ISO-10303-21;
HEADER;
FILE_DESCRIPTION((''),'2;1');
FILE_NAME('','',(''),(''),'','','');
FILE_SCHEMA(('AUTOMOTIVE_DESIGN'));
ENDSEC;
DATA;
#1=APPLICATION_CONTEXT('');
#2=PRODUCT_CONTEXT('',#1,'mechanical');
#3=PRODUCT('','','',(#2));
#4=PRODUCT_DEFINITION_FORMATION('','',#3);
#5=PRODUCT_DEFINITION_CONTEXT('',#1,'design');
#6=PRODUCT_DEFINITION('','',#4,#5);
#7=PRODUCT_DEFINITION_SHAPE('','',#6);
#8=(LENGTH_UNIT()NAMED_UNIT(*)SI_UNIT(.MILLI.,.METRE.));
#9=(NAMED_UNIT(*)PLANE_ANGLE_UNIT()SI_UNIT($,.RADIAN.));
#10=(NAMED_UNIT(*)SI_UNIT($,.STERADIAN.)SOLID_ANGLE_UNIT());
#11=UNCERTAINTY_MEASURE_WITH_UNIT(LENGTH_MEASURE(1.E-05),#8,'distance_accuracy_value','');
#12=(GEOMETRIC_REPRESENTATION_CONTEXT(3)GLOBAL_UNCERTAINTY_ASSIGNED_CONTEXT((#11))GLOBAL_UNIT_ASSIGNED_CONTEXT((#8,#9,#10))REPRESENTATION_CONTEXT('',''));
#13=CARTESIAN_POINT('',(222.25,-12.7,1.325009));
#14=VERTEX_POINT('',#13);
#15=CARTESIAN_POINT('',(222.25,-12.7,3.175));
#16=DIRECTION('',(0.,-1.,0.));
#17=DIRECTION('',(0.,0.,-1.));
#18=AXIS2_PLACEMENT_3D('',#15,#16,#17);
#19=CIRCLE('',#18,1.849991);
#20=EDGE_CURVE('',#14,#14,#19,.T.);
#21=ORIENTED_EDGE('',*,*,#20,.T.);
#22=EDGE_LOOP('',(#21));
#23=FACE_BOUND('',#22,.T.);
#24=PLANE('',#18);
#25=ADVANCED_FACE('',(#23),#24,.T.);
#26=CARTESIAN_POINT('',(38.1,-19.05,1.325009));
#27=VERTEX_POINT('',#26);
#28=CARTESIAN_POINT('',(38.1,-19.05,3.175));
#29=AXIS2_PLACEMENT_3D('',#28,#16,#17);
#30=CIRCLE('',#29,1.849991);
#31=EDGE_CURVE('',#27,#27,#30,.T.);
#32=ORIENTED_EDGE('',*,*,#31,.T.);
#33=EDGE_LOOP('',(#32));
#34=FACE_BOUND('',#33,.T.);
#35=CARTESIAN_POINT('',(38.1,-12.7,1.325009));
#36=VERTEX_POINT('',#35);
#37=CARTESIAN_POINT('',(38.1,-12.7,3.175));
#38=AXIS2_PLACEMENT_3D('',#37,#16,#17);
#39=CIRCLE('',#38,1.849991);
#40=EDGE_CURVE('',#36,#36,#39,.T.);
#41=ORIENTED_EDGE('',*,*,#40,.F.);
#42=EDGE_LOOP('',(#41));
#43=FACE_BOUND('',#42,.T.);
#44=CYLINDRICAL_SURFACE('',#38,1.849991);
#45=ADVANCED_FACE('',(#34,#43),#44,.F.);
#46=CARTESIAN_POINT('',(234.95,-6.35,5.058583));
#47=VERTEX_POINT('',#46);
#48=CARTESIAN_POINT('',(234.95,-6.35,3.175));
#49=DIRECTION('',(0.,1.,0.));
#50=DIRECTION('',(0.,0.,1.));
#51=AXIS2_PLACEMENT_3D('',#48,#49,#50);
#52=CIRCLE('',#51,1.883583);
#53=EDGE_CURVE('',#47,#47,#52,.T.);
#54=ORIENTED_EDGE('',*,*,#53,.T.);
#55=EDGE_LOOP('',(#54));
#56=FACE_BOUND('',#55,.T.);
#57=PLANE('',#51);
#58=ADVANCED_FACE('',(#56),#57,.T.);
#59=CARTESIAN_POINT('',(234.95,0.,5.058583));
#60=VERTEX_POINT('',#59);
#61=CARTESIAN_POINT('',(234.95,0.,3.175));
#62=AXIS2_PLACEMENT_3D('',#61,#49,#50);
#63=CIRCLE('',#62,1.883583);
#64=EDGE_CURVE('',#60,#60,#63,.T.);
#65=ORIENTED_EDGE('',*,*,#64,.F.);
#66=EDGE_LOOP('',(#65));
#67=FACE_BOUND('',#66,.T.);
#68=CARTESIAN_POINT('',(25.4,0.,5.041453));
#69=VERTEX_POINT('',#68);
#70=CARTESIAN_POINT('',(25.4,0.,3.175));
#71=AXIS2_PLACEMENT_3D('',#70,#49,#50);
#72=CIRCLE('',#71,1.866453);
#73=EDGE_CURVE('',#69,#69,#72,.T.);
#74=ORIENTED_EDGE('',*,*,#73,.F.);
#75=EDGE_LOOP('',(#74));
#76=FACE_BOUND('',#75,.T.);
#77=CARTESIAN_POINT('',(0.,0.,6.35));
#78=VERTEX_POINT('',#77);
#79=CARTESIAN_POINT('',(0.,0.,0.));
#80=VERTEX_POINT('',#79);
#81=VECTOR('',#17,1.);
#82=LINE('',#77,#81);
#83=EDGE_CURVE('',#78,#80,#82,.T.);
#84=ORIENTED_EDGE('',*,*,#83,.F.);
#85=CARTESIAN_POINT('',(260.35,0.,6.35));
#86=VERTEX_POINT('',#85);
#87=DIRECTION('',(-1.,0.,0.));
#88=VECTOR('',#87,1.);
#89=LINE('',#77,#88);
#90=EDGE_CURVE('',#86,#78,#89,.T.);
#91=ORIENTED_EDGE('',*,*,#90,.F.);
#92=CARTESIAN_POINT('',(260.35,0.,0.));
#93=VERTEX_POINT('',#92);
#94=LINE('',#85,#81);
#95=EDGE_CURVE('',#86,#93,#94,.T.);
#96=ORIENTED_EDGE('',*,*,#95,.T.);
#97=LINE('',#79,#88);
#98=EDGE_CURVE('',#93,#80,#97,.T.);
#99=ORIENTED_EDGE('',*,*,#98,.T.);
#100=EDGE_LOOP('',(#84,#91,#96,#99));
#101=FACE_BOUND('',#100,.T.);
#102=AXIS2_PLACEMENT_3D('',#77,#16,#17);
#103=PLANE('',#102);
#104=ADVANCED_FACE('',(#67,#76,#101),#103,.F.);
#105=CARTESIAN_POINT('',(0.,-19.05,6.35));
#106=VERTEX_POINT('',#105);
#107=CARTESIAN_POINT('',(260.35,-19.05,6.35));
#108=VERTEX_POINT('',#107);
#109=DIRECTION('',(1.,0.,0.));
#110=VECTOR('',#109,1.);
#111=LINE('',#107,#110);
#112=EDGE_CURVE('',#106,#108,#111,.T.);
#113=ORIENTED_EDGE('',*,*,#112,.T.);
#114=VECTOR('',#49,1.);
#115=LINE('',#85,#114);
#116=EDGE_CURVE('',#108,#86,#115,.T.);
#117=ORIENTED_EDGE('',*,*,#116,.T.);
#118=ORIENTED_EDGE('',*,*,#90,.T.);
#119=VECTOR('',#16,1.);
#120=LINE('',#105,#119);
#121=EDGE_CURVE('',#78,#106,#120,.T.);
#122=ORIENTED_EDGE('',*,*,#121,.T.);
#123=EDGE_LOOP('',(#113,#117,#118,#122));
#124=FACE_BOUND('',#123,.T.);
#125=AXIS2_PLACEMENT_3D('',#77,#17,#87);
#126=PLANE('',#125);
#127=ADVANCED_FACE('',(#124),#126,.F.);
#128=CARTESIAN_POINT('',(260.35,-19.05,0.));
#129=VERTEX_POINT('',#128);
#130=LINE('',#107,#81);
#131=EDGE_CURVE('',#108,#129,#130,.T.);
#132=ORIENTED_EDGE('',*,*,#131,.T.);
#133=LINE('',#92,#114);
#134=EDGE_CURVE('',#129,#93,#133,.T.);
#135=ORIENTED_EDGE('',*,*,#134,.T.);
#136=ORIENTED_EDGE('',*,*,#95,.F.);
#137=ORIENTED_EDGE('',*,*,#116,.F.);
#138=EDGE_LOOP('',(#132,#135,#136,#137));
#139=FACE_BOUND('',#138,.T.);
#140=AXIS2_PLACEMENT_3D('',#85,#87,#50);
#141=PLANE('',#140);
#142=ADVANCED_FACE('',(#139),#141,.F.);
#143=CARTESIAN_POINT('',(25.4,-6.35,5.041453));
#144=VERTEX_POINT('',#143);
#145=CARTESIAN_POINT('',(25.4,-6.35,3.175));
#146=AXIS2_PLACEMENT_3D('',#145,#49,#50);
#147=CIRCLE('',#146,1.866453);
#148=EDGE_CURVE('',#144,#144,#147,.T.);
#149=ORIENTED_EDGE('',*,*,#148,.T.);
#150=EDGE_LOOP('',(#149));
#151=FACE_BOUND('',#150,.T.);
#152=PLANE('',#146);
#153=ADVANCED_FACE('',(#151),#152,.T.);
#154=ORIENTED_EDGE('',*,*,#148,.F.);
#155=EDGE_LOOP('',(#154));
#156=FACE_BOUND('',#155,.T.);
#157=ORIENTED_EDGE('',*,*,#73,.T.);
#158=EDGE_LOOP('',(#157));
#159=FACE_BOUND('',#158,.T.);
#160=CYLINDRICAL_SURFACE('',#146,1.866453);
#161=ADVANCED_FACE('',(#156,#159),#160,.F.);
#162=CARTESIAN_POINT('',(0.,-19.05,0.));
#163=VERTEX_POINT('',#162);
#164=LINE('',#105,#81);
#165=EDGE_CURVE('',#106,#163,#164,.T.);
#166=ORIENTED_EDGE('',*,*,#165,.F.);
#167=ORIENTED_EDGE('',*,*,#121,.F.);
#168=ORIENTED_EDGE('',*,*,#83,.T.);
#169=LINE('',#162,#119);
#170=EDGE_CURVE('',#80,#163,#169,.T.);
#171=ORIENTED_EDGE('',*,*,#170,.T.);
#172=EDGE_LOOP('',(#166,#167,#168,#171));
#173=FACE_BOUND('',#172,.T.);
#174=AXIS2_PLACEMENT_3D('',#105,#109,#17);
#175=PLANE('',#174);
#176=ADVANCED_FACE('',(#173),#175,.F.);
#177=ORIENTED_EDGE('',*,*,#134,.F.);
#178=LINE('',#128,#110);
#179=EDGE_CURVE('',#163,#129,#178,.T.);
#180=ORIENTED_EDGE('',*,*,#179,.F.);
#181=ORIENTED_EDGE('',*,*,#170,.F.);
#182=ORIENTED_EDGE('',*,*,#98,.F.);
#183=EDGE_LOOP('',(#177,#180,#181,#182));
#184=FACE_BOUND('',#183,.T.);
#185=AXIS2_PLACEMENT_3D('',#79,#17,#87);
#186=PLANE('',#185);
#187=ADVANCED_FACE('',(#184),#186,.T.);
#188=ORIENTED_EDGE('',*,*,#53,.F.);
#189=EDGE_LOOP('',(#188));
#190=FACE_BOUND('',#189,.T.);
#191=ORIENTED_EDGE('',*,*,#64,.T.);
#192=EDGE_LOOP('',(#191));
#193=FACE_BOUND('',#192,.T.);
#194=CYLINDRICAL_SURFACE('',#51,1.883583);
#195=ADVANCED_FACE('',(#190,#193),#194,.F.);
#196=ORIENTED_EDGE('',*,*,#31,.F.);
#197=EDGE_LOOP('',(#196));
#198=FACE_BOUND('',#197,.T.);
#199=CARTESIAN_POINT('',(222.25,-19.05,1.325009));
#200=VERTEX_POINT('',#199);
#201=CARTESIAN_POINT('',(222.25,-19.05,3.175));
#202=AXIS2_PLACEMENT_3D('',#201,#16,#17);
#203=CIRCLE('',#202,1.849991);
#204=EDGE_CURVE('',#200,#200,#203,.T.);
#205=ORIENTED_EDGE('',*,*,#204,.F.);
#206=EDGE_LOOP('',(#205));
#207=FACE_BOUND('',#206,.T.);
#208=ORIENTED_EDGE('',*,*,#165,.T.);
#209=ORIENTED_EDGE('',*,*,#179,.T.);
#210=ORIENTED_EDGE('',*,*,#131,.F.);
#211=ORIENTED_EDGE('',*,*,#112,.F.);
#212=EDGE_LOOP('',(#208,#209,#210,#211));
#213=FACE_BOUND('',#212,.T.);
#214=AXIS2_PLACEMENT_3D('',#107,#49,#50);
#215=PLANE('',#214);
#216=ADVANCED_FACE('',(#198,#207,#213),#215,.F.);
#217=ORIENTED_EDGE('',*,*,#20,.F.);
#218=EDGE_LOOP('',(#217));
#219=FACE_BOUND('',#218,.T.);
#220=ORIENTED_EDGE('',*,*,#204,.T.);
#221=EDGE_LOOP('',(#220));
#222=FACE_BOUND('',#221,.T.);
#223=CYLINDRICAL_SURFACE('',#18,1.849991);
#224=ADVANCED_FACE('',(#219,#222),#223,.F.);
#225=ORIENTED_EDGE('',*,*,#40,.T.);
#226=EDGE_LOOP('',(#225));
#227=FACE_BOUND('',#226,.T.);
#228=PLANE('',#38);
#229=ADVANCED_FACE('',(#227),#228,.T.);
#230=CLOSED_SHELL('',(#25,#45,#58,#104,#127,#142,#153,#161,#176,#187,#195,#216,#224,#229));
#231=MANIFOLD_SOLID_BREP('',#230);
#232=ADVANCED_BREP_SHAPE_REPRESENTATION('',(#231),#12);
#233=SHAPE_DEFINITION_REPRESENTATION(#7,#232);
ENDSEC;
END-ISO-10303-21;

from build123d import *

# Parameters (mm, degrees)
SKETCH1_W           = 260.35
SKETCH1_H           = 19.05
BOSS_EXTRUDE1_DEPTH = 6.35
SKETCH2_R           = 1.88358262
SKETCH2_R_2         = 1.866453282
CUT_EXTRUDE1_DEPTH  = 6.35
SKETCH3_R           = 1.849990648
CUT_EXTRUDE2_DEPTH  = 6.35


with BuildPart() as part:
    # Sketch1 → Boss-Extrude1 (new body)
    with BuildSketch(Plane.XY):
        with Locations((130.175, -9.525)):
            Rectangle(SKETCH1_W, SKETCH1_H)
    extrude(amount=BOSS_EXTRUDE1_DEPTH)

    # Sketch2 → Cut-Extrude1 (cut)
    with BuildSketch(Plane(origin=(0, 0, 0), x_dir=(1, 0, 0), z_dir=(0, 1, 0))):
        with Locations(Location((234.95, -3.175, 0), (0, 0, 270))):
            Circle(SKETCH2_R)
        with Locations(Location((25.4, -3.175, 0), (0, 0, 270))):
            Circle(SKETCH2_R_2)
    extrude(amount=-CUT_EXTRUDE1_DEPTH, mode=Mode.SUBTRACT)

    # Sketch3 → Cut-Extrude2 (cut)
    with BuildSketch(Plane(origin=(0, -19.05, 0), x_dir=(-1, 0, 0), z_dir=(0, -1, 0))):
        with Locations(Location((-222.25, -3.175, 0), (0, 0, 90))):
            Circle(SKETCH3_R)
        with Locations(Location((-38.1, -3.175, 0), (0, 0, 90))):
            Circle(SKETCH3_R)
    extrude(amount=-CUT_EXTRUDE2_DEPTH, mode=Mode.SUBTRACT)


solid = part.part
